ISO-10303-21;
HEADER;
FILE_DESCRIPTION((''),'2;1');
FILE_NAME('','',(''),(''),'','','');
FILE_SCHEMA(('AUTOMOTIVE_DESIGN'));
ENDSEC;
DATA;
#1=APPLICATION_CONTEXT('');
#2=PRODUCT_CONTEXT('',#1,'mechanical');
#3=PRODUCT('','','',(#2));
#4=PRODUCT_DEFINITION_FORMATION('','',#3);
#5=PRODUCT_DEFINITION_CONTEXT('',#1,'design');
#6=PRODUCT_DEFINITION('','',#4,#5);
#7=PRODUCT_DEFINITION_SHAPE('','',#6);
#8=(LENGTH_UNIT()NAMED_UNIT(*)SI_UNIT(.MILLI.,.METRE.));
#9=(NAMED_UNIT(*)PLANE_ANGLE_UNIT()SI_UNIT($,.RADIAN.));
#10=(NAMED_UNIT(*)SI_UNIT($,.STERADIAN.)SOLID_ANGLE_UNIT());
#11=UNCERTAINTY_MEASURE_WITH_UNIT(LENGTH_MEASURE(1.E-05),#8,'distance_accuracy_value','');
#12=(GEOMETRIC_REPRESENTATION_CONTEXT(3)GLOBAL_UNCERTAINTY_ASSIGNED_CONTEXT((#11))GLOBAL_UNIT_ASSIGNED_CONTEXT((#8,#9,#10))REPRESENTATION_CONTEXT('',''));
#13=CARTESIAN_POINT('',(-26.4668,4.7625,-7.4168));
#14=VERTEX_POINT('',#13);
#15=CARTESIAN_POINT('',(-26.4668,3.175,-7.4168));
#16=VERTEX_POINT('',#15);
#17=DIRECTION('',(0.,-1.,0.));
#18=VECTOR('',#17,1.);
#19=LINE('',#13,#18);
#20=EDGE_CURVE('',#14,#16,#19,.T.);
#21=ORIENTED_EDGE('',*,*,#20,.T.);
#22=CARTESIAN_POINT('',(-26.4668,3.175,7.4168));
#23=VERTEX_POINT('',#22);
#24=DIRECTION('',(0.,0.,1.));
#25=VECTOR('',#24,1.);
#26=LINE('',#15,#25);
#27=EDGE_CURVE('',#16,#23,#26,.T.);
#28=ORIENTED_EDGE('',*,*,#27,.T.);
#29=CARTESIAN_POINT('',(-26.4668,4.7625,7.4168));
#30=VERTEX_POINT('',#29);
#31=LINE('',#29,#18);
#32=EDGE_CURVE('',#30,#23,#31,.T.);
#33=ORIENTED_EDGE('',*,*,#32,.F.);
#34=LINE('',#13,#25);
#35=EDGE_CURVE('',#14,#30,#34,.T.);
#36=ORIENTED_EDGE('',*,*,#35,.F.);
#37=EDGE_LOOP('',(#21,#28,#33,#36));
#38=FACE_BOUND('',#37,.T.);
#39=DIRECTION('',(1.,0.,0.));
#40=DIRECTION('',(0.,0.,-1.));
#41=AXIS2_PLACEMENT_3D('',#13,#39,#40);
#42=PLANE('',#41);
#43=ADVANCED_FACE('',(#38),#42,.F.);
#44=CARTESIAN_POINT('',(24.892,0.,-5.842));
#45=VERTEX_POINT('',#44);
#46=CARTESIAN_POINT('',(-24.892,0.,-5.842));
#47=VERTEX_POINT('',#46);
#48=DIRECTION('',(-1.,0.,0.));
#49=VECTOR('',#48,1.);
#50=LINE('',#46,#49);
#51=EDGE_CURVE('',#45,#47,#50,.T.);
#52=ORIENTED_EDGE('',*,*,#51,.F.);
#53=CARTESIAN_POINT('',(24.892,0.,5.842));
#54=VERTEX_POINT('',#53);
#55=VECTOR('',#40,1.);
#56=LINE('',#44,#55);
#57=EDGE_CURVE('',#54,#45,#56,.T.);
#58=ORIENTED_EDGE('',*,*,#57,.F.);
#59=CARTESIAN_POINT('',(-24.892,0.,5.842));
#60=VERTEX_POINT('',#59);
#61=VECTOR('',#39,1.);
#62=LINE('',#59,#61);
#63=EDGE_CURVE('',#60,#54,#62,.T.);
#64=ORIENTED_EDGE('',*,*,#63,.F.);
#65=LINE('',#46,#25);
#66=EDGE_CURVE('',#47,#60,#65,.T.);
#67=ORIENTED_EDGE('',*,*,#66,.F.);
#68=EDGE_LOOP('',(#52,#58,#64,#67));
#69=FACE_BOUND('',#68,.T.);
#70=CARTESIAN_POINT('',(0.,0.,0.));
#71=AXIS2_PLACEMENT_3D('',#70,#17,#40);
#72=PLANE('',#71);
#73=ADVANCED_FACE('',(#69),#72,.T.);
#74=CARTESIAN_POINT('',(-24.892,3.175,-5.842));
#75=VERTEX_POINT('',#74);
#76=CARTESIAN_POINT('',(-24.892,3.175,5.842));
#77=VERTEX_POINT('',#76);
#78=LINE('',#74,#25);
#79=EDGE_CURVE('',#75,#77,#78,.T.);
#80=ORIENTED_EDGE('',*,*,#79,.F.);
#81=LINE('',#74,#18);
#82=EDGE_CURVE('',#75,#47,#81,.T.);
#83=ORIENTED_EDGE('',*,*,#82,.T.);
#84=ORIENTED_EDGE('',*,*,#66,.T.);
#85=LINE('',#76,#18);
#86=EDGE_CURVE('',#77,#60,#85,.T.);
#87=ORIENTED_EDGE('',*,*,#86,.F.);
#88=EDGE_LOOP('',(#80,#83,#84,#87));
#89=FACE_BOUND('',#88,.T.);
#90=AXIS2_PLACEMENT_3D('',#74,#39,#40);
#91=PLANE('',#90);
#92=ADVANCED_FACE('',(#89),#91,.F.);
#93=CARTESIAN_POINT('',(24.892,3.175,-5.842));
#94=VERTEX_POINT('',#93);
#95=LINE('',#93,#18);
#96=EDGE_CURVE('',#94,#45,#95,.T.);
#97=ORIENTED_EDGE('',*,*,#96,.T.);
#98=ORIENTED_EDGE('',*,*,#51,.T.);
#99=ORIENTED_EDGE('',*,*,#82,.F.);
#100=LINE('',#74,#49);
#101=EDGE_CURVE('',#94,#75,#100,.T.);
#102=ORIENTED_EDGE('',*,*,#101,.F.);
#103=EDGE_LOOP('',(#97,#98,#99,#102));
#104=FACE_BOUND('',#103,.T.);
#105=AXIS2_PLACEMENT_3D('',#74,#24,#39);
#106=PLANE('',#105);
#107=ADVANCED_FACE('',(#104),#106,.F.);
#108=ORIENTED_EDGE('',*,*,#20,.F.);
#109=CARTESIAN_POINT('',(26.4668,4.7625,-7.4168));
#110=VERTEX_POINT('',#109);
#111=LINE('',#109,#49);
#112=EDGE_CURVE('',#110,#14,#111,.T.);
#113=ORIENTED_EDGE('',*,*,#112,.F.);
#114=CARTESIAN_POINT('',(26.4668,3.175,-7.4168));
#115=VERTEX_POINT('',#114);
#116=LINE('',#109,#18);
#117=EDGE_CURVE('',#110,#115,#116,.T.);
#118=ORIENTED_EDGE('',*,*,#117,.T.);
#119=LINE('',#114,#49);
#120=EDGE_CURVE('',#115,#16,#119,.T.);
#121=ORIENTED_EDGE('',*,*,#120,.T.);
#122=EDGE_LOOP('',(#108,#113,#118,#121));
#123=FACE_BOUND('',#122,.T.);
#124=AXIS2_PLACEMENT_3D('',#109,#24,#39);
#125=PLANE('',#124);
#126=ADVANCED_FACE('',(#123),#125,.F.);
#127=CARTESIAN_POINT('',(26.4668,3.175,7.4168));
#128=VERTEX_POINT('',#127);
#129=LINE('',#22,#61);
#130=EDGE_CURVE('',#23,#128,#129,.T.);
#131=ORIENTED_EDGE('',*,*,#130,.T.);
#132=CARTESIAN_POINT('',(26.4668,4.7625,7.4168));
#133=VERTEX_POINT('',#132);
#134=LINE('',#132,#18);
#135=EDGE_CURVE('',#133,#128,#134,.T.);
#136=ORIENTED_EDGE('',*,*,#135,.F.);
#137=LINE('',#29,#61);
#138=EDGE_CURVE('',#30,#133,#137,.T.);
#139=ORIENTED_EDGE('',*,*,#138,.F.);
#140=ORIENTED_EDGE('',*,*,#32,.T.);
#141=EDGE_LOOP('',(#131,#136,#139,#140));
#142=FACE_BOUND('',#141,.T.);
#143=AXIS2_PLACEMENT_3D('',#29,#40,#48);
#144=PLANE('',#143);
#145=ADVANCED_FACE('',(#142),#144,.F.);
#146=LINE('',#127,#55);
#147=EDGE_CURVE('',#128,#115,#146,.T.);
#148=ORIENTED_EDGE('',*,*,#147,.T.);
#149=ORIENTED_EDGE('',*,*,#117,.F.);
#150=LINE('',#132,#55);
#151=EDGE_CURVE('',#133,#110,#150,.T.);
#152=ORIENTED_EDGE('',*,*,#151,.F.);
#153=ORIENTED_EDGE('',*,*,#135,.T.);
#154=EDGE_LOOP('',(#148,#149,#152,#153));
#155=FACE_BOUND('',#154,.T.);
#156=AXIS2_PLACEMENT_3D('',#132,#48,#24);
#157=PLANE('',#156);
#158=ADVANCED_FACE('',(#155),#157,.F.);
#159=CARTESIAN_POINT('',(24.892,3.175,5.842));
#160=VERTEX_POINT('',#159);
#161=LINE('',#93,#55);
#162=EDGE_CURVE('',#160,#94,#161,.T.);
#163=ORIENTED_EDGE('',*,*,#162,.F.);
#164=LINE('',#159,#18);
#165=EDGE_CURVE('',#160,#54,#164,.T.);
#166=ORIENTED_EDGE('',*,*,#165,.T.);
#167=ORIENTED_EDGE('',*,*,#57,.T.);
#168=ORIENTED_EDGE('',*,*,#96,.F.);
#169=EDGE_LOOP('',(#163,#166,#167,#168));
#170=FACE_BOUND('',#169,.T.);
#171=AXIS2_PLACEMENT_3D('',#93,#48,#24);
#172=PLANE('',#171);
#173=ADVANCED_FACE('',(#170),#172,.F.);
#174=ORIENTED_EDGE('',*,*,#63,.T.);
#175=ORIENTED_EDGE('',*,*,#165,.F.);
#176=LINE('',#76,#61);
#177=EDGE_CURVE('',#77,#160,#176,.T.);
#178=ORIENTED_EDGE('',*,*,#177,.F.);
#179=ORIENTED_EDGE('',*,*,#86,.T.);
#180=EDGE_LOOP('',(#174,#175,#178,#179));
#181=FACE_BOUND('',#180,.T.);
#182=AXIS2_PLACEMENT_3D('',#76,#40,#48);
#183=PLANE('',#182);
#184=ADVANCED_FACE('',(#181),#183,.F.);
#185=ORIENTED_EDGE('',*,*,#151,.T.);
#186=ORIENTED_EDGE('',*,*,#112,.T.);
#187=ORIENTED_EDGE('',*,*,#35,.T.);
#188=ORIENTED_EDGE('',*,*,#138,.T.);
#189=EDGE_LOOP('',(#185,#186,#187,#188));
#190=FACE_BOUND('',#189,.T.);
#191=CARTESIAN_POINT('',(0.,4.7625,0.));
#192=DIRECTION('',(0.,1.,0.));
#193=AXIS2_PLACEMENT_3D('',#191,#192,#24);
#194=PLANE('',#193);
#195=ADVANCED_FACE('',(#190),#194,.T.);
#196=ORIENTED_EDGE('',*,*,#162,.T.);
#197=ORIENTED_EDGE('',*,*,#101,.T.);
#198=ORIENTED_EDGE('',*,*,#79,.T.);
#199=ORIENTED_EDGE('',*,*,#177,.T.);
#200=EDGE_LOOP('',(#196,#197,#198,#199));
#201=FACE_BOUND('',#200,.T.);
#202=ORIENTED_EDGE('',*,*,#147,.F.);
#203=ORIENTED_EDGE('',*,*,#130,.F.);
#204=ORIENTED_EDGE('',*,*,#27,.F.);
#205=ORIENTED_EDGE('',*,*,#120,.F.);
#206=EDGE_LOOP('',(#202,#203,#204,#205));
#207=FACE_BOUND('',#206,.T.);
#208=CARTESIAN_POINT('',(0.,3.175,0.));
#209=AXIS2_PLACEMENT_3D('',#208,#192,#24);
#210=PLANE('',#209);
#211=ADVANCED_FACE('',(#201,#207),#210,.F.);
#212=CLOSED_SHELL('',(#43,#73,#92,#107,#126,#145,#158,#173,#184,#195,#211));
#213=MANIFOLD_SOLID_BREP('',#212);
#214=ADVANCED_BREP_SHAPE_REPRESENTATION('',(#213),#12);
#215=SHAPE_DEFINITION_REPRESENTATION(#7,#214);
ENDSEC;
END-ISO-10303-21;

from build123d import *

# Parameters (mm, degrees)
SKETCH1_W           = 49.784
SKETCH1_H           = 11.684
BOSS_EXTRUDE1_DEPTH = 3.175
SKETCH2_W           = 52.9336
SKETCH2_H           = 14.8336
BOSS_EXTRUDE2_DEPTH = 1.5875


with BuildPart() as part:
    # Sketch1 → Boss-Extrude1 (new body)
    with BuildSketch(Plane(origin=(0, 0, 0), x_dir=(1, 0, 0), z_dir=(0, 1, 0))):
        Rectangle(SKETCH1_W, SKETCH1_H)
    extrude(amount=BOSS_EXTRUDE1_DEPTH)

    # Sketch2 → Boss-Extrude2 (add)
    with BuildSketch(Plane(origin=(0, 3.175, 0), x_dir=(1, 0, 0), z_dir=(0, 1, 0))):
        Rectangle(SKETCH2_W, SKETCH2_H)
    extrude(amount=BOSS_EXTRUDE2_DEPTH)


solid = part.part
